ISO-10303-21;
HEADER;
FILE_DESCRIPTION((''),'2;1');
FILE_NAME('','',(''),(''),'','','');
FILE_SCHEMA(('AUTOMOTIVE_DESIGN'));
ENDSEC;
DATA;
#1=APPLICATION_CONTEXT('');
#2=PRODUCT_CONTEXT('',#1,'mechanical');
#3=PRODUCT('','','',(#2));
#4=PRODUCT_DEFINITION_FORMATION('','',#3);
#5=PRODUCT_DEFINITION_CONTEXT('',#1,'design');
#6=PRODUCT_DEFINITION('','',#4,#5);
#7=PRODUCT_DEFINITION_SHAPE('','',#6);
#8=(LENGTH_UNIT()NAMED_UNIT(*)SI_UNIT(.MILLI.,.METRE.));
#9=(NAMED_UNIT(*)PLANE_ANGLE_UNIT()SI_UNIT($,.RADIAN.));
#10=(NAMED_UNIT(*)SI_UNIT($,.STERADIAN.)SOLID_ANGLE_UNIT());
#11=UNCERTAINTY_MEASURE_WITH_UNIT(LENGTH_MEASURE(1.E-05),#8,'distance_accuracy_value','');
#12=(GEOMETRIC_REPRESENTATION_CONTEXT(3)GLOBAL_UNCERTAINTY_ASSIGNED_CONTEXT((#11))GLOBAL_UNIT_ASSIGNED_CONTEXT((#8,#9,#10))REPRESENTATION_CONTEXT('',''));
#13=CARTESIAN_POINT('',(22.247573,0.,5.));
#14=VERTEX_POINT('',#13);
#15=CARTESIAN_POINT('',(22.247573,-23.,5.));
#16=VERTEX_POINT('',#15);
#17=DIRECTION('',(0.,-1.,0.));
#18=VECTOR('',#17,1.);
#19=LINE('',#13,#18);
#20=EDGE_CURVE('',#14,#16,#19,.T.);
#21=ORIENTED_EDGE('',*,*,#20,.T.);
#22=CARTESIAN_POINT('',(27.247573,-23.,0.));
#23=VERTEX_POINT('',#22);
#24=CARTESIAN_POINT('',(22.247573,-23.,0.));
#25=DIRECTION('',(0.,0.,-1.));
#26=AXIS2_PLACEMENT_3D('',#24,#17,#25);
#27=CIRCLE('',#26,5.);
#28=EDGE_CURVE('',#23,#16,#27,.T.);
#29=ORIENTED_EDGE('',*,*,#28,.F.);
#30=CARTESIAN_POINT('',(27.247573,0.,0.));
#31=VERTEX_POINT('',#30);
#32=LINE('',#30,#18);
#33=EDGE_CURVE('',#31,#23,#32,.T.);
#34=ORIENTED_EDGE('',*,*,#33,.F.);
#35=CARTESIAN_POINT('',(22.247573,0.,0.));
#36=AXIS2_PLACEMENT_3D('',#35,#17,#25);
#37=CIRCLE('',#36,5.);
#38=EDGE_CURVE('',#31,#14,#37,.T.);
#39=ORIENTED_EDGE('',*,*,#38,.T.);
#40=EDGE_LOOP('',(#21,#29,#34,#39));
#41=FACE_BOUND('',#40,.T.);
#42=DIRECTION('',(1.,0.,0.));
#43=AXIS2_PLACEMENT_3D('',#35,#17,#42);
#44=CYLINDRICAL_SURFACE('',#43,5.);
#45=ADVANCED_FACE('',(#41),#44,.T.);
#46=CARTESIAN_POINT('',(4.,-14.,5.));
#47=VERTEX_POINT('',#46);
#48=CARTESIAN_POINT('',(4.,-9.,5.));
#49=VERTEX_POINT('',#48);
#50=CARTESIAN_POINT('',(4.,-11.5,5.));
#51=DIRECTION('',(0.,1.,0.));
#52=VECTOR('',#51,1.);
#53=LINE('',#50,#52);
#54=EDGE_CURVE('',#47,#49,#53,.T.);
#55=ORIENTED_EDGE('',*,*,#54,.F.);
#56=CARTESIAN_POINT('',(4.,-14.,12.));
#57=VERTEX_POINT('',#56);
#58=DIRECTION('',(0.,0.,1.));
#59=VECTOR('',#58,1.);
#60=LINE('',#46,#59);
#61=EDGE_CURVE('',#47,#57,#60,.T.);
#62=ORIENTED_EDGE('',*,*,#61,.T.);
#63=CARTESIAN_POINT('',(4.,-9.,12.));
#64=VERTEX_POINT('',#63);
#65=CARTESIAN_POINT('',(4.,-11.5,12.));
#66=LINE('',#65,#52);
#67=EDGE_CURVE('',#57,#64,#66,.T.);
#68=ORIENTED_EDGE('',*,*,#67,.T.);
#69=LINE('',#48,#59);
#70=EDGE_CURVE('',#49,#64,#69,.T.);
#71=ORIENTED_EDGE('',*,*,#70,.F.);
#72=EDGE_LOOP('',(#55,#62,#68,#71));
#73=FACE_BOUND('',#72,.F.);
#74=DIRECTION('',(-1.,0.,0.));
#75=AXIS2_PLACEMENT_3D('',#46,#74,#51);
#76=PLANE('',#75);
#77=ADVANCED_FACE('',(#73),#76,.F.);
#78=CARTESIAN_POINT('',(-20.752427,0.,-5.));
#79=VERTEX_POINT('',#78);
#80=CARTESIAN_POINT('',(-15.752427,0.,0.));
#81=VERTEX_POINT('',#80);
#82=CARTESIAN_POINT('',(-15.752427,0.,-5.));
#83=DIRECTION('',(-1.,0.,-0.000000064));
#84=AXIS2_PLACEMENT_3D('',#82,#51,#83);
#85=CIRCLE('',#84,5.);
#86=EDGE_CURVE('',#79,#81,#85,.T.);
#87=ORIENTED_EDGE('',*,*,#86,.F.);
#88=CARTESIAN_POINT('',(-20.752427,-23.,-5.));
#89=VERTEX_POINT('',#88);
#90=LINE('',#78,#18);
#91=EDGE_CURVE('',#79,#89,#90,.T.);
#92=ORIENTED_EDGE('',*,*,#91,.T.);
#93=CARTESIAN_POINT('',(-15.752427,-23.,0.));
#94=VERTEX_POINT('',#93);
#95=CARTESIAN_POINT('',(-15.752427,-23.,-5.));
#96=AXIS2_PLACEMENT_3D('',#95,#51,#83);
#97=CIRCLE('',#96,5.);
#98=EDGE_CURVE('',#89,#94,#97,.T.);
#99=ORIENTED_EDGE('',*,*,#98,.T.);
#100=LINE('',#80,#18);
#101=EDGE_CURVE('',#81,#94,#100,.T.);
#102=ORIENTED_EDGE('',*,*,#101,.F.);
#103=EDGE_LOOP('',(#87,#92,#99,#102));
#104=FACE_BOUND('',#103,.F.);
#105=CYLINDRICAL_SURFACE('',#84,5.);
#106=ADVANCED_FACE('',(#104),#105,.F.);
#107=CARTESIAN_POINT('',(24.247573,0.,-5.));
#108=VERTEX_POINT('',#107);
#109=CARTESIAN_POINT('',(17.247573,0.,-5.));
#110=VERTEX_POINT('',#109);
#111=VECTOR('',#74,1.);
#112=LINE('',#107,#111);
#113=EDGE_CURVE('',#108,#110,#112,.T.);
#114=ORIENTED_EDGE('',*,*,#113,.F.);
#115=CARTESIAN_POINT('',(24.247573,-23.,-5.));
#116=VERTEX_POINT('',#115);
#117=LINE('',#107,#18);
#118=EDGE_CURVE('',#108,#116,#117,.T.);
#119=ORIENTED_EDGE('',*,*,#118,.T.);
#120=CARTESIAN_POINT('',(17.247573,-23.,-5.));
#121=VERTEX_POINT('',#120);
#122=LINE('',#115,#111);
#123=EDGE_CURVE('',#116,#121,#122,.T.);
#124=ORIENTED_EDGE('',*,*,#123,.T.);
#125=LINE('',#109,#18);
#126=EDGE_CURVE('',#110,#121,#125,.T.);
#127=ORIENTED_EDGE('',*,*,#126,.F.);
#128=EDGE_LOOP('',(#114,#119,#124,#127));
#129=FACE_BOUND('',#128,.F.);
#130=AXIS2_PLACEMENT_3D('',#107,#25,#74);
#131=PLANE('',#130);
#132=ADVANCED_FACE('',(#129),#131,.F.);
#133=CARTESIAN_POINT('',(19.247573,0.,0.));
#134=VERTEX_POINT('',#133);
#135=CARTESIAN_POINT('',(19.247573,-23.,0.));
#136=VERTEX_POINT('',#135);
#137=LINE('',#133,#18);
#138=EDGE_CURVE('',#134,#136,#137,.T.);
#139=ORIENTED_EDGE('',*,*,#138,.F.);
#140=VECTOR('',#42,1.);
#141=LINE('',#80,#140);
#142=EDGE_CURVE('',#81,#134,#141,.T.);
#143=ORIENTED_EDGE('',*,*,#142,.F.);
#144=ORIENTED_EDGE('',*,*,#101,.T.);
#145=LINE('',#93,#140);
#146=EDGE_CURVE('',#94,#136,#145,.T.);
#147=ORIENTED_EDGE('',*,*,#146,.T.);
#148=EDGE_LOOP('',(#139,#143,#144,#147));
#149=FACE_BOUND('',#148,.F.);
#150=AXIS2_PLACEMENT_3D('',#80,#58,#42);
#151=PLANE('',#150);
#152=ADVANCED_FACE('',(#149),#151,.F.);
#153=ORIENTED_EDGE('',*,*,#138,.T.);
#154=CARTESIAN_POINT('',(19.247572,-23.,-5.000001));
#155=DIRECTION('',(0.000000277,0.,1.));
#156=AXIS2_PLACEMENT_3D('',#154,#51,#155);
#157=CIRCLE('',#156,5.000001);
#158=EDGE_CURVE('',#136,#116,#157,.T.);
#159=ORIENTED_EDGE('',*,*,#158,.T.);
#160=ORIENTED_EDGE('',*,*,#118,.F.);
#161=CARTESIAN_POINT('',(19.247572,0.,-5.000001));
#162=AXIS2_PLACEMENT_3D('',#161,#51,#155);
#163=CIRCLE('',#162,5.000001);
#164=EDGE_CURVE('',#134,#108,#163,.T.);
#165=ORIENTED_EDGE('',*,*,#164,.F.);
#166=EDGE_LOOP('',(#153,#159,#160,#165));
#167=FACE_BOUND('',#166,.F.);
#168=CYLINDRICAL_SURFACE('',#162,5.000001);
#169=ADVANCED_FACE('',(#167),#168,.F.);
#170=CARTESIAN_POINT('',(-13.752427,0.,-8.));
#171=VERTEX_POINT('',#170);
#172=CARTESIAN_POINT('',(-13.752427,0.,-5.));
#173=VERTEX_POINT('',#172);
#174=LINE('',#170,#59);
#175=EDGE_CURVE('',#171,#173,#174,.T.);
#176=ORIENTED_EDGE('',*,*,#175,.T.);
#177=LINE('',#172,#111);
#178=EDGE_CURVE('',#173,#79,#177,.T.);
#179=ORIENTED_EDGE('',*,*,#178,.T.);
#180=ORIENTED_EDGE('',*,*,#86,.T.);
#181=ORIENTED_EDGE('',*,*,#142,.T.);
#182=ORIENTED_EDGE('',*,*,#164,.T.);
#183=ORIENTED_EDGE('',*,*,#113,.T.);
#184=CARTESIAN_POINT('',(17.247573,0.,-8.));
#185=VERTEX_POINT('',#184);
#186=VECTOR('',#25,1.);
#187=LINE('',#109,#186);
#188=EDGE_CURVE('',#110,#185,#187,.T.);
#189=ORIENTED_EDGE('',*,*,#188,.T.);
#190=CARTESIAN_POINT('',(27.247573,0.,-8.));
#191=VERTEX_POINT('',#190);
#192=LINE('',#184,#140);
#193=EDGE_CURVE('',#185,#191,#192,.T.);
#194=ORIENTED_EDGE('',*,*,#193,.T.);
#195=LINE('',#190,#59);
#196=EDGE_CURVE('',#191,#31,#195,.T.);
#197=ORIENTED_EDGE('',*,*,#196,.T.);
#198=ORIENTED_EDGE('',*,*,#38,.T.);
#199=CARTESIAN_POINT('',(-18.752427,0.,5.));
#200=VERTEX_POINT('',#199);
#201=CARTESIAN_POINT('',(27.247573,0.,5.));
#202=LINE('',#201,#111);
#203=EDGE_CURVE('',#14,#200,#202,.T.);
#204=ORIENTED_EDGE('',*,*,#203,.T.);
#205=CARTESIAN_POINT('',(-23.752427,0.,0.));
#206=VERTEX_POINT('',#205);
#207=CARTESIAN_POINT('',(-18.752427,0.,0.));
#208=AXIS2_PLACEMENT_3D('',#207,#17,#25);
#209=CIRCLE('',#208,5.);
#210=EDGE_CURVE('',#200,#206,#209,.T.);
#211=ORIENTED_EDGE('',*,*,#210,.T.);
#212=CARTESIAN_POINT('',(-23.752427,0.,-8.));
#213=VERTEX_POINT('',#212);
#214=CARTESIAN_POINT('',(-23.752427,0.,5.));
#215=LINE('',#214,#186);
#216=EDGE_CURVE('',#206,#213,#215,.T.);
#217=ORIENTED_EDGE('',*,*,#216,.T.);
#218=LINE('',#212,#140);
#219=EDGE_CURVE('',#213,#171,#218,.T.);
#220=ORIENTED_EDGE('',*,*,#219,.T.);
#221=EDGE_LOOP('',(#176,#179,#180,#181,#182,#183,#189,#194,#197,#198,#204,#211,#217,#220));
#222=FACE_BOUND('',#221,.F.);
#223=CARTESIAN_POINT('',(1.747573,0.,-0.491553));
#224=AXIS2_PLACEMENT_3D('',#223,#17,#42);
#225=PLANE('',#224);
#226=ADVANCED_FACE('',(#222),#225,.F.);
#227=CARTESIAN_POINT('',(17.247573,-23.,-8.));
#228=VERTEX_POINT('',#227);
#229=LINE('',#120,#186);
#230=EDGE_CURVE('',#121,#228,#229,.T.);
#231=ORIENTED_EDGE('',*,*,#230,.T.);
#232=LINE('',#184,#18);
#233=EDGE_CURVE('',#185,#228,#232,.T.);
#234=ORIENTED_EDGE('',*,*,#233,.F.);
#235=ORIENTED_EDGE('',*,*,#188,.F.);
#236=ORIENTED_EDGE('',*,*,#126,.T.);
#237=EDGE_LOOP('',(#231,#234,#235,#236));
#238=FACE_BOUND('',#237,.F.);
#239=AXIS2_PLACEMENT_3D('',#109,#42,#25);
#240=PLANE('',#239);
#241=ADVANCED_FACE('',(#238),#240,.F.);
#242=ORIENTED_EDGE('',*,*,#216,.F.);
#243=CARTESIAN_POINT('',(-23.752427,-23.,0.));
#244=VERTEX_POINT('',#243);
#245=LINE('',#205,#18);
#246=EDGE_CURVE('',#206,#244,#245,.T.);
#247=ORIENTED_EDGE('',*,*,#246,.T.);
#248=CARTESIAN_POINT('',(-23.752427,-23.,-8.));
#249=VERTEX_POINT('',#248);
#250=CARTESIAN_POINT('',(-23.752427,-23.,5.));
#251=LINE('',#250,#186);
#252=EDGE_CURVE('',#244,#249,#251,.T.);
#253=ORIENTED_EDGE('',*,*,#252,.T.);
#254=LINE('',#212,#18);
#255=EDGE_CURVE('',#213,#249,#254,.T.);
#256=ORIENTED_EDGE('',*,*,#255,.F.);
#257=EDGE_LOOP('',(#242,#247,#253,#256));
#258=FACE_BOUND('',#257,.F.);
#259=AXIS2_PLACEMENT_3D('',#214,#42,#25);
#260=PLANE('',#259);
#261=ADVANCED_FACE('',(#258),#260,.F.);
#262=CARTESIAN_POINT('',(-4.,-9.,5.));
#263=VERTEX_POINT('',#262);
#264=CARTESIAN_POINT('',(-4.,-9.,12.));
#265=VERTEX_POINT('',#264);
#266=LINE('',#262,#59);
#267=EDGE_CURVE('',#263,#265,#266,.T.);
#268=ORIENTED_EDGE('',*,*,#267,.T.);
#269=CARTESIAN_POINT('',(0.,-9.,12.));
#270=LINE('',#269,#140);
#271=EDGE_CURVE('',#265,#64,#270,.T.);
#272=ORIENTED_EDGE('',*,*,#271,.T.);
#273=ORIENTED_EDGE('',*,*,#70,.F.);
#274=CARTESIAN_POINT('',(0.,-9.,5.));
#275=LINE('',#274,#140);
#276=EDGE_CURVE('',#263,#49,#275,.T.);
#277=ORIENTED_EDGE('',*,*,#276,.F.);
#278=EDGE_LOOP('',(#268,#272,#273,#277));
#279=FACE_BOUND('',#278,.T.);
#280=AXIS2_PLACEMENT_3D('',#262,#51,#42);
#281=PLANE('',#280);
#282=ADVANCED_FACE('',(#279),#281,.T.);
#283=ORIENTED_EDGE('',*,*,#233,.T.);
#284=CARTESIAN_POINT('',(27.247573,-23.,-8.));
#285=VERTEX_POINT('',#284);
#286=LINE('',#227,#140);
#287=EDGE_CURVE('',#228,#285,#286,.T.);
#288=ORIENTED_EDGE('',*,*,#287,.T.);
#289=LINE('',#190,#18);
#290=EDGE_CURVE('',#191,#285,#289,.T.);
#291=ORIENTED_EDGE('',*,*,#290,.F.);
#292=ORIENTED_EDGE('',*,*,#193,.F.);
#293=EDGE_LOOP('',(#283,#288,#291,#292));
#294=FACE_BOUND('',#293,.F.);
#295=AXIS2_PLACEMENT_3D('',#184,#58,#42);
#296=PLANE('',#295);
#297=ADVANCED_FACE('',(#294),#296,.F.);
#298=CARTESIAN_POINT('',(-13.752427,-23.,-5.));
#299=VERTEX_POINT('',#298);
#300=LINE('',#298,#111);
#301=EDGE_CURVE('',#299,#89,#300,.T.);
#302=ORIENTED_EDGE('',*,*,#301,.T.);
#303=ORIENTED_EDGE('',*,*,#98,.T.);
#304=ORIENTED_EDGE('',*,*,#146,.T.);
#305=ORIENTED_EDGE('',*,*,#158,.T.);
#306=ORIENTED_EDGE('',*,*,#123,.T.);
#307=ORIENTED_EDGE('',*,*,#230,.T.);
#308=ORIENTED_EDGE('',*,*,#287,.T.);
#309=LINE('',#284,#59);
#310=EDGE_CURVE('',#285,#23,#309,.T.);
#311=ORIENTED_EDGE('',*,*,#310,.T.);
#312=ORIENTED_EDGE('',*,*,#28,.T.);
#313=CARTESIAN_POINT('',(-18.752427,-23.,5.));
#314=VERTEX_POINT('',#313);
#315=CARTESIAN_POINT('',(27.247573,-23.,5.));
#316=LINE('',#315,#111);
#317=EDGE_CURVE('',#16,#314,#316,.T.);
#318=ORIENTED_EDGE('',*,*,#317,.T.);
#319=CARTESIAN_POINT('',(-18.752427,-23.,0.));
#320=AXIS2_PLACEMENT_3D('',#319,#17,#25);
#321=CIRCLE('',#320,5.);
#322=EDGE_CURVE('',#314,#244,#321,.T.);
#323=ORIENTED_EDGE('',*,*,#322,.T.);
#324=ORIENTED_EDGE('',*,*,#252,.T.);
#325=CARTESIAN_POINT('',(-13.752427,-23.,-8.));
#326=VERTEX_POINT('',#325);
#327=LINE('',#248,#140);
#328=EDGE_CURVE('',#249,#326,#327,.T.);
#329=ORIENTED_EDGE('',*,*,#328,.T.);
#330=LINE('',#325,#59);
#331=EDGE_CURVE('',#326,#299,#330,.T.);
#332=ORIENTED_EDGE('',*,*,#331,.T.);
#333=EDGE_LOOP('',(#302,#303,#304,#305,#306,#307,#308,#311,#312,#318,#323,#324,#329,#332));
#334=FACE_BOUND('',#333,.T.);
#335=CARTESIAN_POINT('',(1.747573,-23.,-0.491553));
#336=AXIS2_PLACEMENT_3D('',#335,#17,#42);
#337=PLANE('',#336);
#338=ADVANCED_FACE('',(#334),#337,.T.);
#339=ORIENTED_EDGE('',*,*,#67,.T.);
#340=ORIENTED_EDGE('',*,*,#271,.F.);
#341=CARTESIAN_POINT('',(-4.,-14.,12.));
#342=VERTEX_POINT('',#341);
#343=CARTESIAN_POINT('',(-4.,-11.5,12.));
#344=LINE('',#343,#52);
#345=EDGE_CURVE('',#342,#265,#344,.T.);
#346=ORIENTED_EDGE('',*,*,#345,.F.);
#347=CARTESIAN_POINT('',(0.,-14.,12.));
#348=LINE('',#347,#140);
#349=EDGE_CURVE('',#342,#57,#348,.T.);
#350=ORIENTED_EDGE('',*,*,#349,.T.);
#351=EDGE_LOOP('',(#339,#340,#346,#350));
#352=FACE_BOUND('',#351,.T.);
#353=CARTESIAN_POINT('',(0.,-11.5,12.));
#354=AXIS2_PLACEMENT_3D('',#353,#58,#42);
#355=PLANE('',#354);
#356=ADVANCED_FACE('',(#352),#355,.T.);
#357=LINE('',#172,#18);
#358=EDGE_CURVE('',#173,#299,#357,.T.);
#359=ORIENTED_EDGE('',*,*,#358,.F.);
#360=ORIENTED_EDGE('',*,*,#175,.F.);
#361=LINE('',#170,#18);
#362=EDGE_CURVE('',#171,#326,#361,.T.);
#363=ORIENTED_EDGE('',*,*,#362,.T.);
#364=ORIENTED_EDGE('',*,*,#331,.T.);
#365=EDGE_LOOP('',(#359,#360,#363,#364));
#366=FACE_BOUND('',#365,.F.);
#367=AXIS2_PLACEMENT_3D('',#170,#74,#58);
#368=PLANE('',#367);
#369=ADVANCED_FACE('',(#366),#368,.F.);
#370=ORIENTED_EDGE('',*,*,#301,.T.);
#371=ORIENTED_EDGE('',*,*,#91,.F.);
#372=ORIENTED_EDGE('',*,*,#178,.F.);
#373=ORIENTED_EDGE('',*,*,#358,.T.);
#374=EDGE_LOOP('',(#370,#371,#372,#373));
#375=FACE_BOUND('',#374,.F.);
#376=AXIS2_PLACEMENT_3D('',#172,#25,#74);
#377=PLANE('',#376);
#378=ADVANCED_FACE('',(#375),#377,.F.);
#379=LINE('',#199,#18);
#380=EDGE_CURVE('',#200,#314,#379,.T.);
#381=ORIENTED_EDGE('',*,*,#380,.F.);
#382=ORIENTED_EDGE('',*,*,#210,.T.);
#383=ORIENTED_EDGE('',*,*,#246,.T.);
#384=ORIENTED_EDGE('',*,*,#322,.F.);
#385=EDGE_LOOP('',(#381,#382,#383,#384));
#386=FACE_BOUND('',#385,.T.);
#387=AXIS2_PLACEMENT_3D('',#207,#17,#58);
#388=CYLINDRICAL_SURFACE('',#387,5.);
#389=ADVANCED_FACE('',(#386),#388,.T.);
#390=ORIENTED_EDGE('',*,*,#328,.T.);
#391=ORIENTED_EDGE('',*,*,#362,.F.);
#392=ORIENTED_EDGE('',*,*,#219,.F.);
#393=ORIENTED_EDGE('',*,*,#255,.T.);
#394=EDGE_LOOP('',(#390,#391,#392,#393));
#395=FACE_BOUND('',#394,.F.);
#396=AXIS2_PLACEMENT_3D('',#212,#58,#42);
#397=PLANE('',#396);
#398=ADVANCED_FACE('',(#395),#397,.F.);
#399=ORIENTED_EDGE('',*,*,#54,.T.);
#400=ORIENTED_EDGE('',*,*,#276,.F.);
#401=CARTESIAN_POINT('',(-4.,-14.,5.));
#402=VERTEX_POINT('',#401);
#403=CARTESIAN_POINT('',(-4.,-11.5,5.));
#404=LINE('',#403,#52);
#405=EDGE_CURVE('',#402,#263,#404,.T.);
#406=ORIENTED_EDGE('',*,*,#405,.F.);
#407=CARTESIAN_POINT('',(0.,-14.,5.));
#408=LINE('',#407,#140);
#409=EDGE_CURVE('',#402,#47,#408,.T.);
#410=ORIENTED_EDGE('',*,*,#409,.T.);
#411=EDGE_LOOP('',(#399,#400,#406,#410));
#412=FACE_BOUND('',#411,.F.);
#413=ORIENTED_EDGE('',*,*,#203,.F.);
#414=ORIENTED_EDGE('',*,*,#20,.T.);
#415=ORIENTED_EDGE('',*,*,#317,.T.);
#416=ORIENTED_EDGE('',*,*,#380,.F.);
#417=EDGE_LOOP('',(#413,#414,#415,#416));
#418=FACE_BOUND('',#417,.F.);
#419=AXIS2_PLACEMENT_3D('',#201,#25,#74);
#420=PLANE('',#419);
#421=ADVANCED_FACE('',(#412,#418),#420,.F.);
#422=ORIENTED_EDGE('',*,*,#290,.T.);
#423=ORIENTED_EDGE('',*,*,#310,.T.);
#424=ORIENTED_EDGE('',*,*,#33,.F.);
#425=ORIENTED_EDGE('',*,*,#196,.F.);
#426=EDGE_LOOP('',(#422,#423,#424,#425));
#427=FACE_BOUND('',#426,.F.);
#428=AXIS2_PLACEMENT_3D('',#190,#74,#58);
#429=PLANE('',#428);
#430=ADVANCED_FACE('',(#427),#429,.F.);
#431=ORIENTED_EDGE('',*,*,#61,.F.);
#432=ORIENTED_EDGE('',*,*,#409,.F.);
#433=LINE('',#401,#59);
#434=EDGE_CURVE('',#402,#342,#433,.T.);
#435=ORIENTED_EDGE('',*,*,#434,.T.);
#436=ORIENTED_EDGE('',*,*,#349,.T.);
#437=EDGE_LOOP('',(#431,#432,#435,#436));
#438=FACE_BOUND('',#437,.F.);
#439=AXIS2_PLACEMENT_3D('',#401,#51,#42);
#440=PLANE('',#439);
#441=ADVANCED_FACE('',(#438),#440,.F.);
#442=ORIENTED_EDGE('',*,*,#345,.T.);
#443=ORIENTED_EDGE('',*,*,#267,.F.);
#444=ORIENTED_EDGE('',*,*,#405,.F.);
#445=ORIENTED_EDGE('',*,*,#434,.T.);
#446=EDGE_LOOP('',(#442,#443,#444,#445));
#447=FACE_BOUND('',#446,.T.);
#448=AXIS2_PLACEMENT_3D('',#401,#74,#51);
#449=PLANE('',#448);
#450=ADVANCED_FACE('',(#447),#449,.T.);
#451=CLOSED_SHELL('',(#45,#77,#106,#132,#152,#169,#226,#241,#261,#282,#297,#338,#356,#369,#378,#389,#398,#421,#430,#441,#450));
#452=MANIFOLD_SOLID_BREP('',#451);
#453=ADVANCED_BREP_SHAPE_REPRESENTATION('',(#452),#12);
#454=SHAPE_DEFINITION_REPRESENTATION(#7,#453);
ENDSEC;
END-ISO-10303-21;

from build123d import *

# Parameters (mm, degrees)
F1_DEPTH = 23
F2_R     = 5
F3_W     = 8
F3_H     = 5
F4_DEPTH = 7


with BuildPart() as f1:
    # F0 (on Front) → F1 (new body)
    with BuildSketch(Plane.XZ):
        with BuildLine():
            ThreePointArc((-20.752427, -5), (-19.287961, -1.464466), (-15.752427, 0))
            Line((-15.752427, 0), (19.247573, 0))
            ThreePointArc((19.247573, 0), (22.783106, -1.464466), (24.247573, -5))
            Line((24.247573, -5), (17.247573, -5))
            Line((17.247573, -5), (17.247573, -8))
            Line((17.247573, -8), (27.247573, -8))
            Line((27.247573, -8), (27.247573, 5))
            Line((27.247573, 5), (-23.752427, 5))
            Line((-23.752427, 5), (-23.752427, -8))
            Line((-23.752427, -8), (-13.752427, -8))
            Line((-13.752427, -8), (-13.752427, -5))
            Line((-13.752427, -5), (-20.752427, -5))
        make_face()
    extrude(amount=F1_DEPTH)

    # F2
    f2_edges = [f1.edges().sort_by_distance(p)[0] for p in [
        (27.247573, -11.5, 5),
        (-23.752427, -11.5, 5),
    ]]
    fillet(f2_edges, radius=F2_R)

    # F3 (on face) → F4 (join)
    with BuildSketch(Plane.XY.offset(5)):
        with Locations((0, -11.5)):
            Rectangle(F3_W, F3_H)
    extrude(amount=F4_DEPTH)


solid = f1.part
